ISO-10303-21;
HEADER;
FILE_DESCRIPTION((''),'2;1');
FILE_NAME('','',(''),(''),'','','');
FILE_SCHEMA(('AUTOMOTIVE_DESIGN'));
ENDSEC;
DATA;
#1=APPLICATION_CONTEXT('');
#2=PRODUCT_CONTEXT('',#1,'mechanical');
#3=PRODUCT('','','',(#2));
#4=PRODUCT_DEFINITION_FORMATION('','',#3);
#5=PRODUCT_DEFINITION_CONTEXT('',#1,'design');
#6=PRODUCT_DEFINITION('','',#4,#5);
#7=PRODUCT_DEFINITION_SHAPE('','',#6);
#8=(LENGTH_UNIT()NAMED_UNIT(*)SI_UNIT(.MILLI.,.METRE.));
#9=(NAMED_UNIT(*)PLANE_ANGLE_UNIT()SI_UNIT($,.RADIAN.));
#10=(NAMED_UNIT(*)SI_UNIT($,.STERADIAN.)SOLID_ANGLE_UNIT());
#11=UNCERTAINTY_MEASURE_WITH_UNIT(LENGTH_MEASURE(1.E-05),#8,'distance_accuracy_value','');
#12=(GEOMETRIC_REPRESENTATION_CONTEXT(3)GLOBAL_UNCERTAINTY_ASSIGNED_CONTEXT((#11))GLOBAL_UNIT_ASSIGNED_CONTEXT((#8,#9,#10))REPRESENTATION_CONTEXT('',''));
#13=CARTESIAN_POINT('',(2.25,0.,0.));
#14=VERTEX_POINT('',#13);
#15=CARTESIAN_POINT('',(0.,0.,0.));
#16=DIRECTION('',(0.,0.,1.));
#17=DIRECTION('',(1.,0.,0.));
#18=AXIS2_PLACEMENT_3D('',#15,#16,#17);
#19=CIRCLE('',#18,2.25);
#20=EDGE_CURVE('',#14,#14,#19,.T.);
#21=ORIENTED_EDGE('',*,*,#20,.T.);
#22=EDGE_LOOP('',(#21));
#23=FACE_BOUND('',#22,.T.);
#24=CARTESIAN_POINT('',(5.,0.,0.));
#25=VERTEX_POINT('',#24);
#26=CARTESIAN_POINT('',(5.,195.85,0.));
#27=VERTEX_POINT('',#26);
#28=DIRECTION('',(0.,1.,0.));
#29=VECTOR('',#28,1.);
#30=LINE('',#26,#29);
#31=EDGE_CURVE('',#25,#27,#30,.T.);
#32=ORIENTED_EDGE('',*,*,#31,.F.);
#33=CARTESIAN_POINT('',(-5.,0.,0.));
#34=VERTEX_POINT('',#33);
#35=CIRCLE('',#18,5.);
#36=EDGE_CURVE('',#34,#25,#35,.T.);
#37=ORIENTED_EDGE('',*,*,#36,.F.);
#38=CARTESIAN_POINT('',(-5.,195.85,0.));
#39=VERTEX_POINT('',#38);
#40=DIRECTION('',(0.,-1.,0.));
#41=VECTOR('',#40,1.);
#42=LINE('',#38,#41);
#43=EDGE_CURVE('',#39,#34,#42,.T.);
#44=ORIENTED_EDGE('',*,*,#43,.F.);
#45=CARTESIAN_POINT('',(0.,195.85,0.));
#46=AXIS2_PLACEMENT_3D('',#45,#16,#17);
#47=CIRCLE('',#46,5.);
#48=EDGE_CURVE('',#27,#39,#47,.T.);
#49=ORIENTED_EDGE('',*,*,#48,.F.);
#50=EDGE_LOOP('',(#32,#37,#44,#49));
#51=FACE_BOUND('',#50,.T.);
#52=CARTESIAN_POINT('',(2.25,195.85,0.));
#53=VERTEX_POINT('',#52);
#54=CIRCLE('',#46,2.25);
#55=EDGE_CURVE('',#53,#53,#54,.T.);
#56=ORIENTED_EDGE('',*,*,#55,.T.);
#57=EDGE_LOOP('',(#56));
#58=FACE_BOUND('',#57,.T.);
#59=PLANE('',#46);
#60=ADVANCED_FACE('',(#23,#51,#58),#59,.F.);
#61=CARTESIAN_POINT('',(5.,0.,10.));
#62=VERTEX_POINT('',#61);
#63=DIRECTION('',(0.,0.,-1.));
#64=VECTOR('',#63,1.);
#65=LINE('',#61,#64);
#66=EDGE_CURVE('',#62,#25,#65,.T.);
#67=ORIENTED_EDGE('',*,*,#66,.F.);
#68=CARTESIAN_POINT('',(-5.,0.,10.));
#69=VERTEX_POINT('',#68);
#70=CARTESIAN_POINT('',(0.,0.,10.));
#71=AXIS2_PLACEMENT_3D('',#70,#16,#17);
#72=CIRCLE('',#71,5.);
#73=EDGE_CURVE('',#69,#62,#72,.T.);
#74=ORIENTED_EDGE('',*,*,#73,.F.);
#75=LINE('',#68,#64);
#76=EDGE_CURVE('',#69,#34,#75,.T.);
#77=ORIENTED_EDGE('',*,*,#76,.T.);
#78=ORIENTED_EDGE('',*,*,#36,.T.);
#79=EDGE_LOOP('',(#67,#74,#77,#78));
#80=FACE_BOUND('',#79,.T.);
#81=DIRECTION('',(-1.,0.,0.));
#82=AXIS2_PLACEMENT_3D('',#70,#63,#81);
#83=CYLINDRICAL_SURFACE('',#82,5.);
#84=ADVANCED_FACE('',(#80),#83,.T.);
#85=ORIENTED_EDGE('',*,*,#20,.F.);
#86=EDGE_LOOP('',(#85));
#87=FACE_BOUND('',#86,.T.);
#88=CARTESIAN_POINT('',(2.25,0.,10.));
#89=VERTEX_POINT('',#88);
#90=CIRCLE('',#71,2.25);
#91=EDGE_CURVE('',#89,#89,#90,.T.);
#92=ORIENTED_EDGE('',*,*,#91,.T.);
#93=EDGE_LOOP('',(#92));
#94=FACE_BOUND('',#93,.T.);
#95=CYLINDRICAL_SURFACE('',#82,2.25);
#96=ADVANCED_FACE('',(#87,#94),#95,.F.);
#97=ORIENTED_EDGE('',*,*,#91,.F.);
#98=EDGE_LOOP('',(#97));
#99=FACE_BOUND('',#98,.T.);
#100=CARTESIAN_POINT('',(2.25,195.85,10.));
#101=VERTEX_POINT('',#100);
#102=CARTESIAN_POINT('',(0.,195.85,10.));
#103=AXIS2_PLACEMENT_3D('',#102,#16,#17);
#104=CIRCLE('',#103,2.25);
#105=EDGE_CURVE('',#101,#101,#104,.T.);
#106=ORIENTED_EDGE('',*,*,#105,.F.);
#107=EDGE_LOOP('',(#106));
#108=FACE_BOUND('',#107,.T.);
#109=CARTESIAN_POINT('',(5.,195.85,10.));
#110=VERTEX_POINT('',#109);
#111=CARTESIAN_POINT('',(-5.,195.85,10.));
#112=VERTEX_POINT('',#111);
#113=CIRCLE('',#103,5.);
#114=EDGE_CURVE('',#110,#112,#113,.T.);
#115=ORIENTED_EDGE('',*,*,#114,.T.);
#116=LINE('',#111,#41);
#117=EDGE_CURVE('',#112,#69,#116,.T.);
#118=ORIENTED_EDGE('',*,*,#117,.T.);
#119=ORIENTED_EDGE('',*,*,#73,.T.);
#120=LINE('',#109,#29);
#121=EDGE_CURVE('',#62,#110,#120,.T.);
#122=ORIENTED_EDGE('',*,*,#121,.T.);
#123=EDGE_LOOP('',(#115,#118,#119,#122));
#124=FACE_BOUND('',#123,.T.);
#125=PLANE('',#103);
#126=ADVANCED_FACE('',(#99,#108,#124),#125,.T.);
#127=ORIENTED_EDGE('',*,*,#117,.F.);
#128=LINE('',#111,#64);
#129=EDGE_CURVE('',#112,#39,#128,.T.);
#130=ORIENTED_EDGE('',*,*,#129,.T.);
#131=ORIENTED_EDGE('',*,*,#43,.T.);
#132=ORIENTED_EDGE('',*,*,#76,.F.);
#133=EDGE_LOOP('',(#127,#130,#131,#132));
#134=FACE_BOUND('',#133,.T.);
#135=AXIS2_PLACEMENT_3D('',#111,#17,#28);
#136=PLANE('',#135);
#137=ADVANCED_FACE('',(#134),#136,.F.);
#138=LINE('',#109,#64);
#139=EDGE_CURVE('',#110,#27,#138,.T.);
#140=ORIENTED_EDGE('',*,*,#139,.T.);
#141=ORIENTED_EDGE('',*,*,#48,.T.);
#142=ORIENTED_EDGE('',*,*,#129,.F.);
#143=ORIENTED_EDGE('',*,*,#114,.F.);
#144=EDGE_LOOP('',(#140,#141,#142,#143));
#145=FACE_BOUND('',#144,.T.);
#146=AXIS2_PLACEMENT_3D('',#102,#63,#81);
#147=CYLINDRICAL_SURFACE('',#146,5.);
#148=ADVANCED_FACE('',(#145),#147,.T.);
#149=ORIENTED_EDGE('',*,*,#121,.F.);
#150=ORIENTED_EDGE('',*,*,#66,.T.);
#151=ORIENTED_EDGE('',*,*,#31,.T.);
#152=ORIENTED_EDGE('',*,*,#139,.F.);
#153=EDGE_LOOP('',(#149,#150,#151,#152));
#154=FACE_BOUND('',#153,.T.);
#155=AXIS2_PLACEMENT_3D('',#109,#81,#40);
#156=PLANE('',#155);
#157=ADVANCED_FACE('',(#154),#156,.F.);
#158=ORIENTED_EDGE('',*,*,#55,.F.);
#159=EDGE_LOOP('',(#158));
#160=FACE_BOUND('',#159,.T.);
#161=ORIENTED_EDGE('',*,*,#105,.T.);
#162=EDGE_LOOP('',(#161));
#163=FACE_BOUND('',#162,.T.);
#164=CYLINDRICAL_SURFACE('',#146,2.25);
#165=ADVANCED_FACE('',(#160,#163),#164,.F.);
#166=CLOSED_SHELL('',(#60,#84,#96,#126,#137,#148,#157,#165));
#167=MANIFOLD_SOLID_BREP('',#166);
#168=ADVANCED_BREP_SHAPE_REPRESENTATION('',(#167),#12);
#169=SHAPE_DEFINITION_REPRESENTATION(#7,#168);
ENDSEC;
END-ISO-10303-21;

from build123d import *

# Parameters (mm, degrees)
ESBO_O1_R                = 2.25
RESSALTO_EXTRUS_O1_DEPTH = 10


with BuildPart() as part:
    # Esboço1 → Ressalto-extrusão1 (new body)
    with BuildSketch(Plane.XY):
        with BuildLine():
            Line((5, 195.85), (5, 0))
            ThreePointArc((5, 0), (0, -5), (-5, 0))
            Line((-5, 0), (-5, 195.85))
            ThreePointArc((-5, 195.85), (0, 200.85), (5, 195.85))
        make_face()
        Circle(ESBO_O1_R, mode=Mode.SUBTRACT)
        with Locations((0, 195.85)):
            Circle(ESBO_O1_R, mode=Mode.SUBTRACT)
    extrude(amount=RESSALTO_EXTRUS_O1_DEPTH)


solid = part.part
